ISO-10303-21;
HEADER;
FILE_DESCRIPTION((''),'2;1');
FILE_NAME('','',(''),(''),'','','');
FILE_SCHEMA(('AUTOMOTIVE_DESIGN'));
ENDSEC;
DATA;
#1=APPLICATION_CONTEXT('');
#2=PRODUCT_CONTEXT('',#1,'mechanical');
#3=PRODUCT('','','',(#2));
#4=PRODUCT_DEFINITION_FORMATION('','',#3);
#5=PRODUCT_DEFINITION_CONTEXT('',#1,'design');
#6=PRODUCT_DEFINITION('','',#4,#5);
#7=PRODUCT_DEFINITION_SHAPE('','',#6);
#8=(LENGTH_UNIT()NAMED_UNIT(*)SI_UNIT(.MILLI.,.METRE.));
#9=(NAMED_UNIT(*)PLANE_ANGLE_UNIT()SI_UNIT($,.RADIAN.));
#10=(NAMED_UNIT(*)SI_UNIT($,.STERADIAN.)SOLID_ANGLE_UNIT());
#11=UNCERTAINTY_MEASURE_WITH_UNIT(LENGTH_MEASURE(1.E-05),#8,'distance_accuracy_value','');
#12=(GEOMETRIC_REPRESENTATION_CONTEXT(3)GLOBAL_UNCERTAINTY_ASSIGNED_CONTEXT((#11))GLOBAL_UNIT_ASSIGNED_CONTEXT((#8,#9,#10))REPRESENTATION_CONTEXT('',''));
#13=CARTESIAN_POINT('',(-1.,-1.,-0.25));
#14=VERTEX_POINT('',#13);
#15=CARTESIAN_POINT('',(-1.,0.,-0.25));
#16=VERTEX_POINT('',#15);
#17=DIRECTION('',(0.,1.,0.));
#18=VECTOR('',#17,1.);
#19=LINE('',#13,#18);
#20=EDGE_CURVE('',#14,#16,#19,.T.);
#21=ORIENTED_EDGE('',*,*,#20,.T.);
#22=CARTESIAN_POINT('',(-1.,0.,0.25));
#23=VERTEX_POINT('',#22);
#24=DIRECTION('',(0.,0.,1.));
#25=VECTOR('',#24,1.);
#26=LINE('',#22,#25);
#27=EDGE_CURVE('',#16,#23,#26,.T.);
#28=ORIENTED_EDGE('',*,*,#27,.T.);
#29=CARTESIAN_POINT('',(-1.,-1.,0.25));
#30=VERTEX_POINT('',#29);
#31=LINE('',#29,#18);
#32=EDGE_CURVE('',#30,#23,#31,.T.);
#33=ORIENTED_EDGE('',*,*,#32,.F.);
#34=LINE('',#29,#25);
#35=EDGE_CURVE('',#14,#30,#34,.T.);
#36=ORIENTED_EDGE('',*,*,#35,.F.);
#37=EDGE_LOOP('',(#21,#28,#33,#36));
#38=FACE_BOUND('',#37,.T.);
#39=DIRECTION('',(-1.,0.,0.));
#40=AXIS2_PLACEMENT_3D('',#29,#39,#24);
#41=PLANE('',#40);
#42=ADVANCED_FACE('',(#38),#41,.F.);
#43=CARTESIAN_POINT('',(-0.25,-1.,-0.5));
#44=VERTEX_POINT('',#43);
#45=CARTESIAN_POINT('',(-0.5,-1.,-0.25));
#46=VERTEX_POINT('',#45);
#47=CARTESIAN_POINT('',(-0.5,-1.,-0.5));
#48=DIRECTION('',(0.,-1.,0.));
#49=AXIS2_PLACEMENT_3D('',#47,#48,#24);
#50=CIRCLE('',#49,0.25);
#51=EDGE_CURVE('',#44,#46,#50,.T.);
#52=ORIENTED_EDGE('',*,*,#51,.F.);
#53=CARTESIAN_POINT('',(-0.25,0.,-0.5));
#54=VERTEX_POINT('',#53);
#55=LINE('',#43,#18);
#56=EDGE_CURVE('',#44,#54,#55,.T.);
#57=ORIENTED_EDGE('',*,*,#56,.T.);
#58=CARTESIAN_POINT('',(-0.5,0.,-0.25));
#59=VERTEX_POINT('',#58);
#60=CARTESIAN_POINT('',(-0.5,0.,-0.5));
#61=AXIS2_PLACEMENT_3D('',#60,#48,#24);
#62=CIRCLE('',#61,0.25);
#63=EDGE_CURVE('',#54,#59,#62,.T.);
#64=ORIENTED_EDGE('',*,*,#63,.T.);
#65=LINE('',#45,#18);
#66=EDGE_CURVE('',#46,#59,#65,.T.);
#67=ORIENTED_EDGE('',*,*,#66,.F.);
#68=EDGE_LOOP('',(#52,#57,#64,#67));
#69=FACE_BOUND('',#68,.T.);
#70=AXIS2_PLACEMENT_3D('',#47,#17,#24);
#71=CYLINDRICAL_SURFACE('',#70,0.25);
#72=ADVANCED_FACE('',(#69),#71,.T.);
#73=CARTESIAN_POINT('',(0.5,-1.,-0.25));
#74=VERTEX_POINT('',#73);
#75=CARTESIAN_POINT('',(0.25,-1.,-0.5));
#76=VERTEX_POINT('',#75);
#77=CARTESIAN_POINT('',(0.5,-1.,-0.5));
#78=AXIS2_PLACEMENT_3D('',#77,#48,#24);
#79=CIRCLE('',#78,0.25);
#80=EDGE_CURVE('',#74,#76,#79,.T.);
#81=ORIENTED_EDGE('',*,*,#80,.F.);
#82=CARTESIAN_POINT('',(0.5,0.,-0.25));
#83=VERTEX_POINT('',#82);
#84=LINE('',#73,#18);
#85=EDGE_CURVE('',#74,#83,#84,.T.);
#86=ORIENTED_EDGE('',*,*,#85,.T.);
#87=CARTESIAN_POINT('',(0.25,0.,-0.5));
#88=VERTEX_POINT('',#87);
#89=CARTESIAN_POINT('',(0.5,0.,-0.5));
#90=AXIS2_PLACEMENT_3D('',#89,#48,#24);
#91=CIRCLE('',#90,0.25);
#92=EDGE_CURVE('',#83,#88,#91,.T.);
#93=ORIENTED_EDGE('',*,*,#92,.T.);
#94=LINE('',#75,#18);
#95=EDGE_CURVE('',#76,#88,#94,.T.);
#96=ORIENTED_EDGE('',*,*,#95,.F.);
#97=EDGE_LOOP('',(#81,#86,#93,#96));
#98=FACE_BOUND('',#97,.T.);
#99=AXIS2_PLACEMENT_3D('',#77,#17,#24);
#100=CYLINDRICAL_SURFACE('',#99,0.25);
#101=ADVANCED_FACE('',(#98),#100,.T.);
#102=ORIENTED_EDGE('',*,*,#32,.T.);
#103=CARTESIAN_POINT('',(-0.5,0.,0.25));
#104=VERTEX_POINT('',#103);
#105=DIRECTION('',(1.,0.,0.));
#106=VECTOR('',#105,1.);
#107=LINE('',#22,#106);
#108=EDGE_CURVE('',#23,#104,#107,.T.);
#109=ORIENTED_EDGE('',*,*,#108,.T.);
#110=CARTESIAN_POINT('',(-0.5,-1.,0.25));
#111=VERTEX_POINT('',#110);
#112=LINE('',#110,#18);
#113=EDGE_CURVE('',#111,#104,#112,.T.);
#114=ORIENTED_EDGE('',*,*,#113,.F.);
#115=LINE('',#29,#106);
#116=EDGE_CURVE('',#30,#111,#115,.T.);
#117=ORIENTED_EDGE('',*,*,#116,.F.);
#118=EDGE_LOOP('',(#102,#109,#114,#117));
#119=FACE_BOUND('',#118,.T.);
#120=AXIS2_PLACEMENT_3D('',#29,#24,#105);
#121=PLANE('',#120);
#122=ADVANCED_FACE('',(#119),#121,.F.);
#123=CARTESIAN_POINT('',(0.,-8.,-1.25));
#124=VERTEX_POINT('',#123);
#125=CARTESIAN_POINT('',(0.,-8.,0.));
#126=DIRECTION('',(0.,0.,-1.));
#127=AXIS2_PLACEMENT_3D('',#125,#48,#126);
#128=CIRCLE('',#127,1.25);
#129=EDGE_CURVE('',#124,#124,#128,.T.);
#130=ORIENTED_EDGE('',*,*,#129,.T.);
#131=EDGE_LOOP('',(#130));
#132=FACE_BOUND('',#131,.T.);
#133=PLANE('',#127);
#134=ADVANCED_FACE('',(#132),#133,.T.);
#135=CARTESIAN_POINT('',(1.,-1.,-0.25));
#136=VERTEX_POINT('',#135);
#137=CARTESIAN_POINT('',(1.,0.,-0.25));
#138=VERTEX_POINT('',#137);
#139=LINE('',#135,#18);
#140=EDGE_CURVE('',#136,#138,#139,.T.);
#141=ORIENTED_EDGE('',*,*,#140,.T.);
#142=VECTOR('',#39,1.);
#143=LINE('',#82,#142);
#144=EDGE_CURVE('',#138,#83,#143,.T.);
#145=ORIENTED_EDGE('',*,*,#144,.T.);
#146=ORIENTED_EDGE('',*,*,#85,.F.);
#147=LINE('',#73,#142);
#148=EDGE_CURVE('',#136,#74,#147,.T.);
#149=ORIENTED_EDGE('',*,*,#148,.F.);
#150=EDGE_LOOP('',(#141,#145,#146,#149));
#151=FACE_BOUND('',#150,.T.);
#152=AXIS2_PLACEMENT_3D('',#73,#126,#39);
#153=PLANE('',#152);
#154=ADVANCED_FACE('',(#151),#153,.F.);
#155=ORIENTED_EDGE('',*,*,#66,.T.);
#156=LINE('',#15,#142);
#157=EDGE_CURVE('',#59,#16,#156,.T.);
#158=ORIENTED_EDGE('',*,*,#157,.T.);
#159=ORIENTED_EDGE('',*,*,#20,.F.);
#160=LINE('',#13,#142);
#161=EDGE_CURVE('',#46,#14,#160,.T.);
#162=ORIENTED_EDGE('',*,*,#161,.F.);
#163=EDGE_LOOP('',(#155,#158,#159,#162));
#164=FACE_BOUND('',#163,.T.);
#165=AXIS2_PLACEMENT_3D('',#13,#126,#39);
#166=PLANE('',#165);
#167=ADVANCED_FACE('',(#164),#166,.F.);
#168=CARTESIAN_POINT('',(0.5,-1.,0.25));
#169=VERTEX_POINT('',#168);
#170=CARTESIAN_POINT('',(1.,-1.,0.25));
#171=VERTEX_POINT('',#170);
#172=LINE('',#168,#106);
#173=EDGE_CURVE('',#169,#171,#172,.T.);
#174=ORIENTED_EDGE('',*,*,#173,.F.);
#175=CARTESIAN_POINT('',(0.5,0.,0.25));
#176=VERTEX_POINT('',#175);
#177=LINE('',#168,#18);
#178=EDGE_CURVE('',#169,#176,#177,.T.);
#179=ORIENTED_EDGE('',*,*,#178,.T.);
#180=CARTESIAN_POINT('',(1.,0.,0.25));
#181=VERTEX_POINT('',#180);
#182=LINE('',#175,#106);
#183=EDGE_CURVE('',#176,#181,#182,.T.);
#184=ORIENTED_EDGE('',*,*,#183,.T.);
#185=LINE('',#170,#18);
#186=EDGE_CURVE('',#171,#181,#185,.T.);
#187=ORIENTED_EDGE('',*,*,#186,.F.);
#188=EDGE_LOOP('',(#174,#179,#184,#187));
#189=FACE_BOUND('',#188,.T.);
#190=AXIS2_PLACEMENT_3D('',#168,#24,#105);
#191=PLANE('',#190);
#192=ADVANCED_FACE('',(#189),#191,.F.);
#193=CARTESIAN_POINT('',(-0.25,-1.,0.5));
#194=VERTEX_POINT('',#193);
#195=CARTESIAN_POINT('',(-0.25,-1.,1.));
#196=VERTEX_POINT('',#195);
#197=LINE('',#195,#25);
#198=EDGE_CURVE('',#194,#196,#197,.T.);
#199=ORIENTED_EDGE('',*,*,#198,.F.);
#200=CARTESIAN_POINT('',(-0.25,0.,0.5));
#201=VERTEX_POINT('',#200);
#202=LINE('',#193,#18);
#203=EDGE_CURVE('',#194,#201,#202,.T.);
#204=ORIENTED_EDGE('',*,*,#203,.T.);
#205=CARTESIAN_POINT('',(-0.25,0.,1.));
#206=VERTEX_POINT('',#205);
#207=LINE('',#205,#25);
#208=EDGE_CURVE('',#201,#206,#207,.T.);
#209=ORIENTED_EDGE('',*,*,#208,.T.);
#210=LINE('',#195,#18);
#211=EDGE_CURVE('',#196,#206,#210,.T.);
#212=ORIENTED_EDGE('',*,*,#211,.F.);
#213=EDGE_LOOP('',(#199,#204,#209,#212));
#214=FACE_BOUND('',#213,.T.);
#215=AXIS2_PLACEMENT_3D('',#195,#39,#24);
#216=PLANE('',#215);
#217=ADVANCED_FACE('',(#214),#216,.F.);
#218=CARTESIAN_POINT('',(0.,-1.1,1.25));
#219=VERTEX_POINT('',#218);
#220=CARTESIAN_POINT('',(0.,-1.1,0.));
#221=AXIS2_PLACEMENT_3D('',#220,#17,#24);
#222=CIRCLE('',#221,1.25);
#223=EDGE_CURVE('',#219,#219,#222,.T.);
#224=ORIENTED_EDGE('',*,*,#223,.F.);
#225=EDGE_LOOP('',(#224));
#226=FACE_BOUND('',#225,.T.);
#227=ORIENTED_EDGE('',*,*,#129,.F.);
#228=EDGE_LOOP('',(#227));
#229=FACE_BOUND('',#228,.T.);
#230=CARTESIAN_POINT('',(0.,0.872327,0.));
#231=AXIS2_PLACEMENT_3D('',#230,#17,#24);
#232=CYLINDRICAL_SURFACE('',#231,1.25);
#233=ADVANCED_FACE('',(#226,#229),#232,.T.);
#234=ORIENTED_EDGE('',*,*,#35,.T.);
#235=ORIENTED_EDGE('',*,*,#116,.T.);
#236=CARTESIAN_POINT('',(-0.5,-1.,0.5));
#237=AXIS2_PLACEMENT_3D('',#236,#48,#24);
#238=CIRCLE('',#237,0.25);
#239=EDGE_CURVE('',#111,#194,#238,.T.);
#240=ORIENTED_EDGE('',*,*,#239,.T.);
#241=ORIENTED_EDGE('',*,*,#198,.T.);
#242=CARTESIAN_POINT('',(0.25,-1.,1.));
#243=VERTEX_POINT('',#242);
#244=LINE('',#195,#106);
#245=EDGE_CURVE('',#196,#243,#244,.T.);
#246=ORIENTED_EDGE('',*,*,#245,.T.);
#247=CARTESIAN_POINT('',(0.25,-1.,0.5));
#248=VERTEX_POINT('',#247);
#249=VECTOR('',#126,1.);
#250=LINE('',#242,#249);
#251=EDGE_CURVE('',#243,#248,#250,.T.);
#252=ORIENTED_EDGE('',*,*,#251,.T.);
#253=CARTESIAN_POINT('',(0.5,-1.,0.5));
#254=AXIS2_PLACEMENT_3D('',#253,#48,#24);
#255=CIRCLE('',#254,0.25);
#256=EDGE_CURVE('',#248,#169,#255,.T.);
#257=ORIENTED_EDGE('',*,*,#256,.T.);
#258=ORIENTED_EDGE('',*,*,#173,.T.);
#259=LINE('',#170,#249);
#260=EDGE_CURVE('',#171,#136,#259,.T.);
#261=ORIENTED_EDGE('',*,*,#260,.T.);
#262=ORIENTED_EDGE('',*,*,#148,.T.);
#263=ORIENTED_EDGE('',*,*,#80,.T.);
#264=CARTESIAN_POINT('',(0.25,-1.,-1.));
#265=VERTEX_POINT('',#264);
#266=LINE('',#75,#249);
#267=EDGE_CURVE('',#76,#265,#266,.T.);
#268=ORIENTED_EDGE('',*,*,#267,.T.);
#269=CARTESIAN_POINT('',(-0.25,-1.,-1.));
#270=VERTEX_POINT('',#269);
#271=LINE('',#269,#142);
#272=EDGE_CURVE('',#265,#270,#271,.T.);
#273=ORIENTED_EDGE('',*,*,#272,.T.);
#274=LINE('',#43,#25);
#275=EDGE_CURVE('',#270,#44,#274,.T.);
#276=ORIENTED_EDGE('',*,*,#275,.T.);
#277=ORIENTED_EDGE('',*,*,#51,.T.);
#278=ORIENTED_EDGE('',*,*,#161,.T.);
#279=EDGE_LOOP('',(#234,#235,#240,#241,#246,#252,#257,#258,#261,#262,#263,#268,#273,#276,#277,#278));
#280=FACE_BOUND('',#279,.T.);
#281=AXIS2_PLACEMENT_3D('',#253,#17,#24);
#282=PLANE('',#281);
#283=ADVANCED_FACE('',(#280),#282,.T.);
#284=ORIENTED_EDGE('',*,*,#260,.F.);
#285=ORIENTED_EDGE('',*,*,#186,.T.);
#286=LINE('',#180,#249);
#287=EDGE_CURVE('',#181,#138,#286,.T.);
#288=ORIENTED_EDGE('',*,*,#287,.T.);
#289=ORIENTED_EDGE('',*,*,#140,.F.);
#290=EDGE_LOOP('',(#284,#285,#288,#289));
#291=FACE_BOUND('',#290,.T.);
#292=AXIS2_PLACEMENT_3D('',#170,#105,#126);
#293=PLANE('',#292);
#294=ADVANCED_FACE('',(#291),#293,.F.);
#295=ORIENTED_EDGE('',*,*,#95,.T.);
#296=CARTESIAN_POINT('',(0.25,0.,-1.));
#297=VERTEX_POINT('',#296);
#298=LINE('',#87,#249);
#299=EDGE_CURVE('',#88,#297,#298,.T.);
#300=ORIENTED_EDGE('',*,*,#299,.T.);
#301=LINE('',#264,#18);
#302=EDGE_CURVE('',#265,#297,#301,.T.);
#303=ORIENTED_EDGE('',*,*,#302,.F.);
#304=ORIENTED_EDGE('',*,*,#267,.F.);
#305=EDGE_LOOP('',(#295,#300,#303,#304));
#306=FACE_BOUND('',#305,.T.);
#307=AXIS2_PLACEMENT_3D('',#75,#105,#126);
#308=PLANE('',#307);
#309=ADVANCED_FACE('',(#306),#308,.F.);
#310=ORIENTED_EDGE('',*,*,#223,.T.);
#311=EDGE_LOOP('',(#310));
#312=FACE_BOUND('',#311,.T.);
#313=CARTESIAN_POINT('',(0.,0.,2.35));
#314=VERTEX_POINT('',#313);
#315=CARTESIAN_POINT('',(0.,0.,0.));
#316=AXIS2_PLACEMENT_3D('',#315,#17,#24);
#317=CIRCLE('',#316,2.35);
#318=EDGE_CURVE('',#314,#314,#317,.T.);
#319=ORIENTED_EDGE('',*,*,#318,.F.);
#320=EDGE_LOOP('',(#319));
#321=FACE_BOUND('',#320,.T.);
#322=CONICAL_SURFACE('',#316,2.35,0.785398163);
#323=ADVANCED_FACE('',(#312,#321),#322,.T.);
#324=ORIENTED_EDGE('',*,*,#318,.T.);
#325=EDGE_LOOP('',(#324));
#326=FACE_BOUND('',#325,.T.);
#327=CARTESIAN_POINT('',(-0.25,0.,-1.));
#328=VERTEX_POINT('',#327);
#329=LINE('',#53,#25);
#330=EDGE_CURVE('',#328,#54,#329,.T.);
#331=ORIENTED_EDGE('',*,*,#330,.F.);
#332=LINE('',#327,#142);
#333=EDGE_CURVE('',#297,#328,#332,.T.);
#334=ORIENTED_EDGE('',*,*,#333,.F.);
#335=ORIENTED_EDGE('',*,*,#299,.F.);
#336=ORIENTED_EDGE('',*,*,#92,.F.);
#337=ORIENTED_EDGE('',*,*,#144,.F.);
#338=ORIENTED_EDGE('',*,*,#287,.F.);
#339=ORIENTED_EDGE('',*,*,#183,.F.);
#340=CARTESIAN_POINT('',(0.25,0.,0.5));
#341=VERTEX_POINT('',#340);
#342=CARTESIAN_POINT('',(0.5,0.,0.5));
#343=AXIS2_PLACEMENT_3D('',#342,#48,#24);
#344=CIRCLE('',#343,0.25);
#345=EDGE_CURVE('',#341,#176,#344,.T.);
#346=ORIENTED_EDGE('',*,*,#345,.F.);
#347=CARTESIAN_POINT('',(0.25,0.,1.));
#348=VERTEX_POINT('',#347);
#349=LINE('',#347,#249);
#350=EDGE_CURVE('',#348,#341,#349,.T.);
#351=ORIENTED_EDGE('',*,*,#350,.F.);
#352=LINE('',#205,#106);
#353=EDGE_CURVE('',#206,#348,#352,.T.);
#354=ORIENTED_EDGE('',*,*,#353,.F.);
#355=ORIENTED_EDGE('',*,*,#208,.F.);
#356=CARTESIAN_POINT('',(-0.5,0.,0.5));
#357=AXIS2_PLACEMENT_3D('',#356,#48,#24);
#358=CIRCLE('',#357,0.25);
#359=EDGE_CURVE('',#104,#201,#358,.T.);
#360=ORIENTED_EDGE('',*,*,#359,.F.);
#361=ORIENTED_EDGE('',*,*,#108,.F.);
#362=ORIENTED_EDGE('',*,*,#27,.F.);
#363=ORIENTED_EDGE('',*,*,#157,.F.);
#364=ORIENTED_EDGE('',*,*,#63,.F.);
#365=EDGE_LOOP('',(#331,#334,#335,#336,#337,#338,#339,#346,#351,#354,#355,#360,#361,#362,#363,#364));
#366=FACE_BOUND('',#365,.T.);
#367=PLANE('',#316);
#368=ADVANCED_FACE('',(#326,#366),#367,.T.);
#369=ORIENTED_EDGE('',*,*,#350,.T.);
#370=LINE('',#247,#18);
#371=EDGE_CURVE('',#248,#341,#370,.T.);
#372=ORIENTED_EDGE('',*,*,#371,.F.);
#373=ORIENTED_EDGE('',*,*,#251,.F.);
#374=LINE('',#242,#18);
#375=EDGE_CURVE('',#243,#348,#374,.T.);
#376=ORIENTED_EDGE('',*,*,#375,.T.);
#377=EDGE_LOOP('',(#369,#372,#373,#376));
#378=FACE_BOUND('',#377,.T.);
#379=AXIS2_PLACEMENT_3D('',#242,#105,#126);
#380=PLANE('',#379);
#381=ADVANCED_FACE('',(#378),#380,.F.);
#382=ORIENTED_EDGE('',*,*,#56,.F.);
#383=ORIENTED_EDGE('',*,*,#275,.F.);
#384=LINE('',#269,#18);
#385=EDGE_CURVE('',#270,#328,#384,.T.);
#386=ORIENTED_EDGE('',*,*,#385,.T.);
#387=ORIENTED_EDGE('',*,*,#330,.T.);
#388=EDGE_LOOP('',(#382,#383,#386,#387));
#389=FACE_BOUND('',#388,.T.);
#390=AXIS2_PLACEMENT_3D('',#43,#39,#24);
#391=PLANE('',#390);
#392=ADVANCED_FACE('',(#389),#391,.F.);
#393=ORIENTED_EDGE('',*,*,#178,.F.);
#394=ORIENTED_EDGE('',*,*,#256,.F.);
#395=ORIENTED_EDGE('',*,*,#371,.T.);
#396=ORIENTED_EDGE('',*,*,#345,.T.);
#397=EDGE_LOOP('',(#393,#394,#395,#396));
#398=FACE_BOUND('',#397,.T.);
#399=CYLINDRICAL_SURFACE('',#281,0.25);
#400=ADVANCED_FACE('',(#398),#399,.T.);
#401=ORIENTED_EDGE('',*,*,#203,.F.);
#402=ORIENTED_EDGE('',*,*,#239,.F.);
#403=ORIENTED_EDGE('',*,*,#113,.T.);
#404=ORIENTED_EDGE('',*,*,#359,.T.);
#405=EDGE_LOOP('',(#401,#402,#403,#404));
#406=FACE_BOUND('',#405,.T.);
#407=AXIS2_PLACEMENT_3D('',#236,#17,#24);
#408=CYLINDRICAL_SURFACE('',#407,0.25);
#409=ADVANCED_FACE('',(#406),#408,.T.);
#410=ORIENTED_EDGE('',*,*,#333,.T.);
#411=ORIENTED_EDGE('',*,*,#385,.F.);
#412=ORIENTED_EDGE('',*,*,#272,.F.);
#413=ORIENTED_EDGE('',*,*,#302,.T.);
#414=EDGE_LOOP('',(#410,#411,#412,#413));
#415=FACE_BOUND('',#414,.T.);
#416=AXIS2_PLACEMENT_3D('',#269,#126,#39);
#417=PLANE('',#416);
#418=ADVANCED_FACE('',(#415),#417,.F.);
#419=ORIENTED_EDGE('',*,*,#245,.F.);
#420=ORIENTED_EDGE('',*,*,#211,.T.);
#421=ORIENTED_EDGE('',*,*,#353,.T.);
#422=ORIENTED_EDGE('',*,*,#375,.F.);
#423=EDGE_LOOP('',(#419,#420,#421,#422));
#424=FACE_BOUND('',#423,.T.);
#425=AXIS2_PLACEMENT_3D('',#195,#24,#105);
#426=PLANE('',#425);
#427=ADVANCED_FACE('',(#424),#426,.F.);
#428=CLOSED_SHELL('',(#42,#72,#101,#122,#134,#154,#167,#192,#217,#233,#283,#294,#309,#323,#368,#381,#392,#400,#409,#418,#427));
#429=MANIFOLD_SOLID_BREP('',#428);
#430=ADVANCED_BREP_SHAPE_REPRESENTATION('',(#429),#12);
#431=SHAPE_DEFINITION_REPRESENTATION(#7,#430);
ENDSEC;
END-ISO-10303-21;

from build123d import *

# Parameters (mm, degrees)
SKETCH2_R           = 1.25
BOSS_EXTRUDE1_DEPTH = 6.5
CUT_EXTRUDE1_DEPTH  = 1


with BuildPart() as part:
    # Sketch1 → Revolve1 (revolve)
    with BuildSketch(Plane(origin=(0, 0, 0), x_dir=(0, 0, -1), z_dir=(1, 0, 0))):
        Polygon((0, 0), (-2.35, 0), (-1.25, -1.1), (-1.25, -1.5), (0, -1.5), align=None)
    revolve(axis=Axis((0, 0.872326939, 0), (0, -1, 0)))

    # Sketch2 → Boss-Extrude1 (add)
    with BuildSketch(Plane.XZ.offset(1.5)):
        Circle(SKETCH2_R)
    extrude(amount=BOSS_EXTRUDE1_DEPTH)

    # Sketch3 → Cut-Extrude1 (cut)
    with BuildSketch(Plane(origin=(0, 0, 0), x_dir=(1, 0, 0), z_dir=(0, 1, 0))):
        with BuildLine():
            Line((-1, -0.25), (-0.5, -0.25))
            ThreePointArc((-0.5, -0.25), (-0.323223305, -0.323223305), (-0.25, -0.5))
            Line((-0.25, -0.5), (-0.25, -1))
            Line((-0.25, -1), (0.25, -1))
            Line((0.25, -1), (0.25, -0.5))
            ThreePointArc((0.25, -0.5), (0.323223305, -0.323223305), (0.5, -0.25))
            Line((0.5, -0.25), (1, -0.25))
            Line((1, -0.25), (1, 0.25))
            Line((1, 0.25), (0.5, 0.25))
            ThreePointArc((0.5, 0.25), (0.323223305, 0.323223305), (0.25, 0.5))
            Line((0.25, 0.5), (0.25, 1))
            Line((0.25, 1), (-0.25, 1))
            Line((-0.25, 1), (-0.25, 0.5))
            ThreePointArc((-0.25, 0.5), (-0.323223305, 0.323223305), (-0.5, 0.25))
            Line((-0.5, 0.25), (-1, 0.25))
            Line((-1, 0.25), (-1, -0.25))
        make_face()
    extrude(amount=-CUT_EXTRUDE1_DEPTH, mode=Mode.SUBTRACT)


solid = part.part
